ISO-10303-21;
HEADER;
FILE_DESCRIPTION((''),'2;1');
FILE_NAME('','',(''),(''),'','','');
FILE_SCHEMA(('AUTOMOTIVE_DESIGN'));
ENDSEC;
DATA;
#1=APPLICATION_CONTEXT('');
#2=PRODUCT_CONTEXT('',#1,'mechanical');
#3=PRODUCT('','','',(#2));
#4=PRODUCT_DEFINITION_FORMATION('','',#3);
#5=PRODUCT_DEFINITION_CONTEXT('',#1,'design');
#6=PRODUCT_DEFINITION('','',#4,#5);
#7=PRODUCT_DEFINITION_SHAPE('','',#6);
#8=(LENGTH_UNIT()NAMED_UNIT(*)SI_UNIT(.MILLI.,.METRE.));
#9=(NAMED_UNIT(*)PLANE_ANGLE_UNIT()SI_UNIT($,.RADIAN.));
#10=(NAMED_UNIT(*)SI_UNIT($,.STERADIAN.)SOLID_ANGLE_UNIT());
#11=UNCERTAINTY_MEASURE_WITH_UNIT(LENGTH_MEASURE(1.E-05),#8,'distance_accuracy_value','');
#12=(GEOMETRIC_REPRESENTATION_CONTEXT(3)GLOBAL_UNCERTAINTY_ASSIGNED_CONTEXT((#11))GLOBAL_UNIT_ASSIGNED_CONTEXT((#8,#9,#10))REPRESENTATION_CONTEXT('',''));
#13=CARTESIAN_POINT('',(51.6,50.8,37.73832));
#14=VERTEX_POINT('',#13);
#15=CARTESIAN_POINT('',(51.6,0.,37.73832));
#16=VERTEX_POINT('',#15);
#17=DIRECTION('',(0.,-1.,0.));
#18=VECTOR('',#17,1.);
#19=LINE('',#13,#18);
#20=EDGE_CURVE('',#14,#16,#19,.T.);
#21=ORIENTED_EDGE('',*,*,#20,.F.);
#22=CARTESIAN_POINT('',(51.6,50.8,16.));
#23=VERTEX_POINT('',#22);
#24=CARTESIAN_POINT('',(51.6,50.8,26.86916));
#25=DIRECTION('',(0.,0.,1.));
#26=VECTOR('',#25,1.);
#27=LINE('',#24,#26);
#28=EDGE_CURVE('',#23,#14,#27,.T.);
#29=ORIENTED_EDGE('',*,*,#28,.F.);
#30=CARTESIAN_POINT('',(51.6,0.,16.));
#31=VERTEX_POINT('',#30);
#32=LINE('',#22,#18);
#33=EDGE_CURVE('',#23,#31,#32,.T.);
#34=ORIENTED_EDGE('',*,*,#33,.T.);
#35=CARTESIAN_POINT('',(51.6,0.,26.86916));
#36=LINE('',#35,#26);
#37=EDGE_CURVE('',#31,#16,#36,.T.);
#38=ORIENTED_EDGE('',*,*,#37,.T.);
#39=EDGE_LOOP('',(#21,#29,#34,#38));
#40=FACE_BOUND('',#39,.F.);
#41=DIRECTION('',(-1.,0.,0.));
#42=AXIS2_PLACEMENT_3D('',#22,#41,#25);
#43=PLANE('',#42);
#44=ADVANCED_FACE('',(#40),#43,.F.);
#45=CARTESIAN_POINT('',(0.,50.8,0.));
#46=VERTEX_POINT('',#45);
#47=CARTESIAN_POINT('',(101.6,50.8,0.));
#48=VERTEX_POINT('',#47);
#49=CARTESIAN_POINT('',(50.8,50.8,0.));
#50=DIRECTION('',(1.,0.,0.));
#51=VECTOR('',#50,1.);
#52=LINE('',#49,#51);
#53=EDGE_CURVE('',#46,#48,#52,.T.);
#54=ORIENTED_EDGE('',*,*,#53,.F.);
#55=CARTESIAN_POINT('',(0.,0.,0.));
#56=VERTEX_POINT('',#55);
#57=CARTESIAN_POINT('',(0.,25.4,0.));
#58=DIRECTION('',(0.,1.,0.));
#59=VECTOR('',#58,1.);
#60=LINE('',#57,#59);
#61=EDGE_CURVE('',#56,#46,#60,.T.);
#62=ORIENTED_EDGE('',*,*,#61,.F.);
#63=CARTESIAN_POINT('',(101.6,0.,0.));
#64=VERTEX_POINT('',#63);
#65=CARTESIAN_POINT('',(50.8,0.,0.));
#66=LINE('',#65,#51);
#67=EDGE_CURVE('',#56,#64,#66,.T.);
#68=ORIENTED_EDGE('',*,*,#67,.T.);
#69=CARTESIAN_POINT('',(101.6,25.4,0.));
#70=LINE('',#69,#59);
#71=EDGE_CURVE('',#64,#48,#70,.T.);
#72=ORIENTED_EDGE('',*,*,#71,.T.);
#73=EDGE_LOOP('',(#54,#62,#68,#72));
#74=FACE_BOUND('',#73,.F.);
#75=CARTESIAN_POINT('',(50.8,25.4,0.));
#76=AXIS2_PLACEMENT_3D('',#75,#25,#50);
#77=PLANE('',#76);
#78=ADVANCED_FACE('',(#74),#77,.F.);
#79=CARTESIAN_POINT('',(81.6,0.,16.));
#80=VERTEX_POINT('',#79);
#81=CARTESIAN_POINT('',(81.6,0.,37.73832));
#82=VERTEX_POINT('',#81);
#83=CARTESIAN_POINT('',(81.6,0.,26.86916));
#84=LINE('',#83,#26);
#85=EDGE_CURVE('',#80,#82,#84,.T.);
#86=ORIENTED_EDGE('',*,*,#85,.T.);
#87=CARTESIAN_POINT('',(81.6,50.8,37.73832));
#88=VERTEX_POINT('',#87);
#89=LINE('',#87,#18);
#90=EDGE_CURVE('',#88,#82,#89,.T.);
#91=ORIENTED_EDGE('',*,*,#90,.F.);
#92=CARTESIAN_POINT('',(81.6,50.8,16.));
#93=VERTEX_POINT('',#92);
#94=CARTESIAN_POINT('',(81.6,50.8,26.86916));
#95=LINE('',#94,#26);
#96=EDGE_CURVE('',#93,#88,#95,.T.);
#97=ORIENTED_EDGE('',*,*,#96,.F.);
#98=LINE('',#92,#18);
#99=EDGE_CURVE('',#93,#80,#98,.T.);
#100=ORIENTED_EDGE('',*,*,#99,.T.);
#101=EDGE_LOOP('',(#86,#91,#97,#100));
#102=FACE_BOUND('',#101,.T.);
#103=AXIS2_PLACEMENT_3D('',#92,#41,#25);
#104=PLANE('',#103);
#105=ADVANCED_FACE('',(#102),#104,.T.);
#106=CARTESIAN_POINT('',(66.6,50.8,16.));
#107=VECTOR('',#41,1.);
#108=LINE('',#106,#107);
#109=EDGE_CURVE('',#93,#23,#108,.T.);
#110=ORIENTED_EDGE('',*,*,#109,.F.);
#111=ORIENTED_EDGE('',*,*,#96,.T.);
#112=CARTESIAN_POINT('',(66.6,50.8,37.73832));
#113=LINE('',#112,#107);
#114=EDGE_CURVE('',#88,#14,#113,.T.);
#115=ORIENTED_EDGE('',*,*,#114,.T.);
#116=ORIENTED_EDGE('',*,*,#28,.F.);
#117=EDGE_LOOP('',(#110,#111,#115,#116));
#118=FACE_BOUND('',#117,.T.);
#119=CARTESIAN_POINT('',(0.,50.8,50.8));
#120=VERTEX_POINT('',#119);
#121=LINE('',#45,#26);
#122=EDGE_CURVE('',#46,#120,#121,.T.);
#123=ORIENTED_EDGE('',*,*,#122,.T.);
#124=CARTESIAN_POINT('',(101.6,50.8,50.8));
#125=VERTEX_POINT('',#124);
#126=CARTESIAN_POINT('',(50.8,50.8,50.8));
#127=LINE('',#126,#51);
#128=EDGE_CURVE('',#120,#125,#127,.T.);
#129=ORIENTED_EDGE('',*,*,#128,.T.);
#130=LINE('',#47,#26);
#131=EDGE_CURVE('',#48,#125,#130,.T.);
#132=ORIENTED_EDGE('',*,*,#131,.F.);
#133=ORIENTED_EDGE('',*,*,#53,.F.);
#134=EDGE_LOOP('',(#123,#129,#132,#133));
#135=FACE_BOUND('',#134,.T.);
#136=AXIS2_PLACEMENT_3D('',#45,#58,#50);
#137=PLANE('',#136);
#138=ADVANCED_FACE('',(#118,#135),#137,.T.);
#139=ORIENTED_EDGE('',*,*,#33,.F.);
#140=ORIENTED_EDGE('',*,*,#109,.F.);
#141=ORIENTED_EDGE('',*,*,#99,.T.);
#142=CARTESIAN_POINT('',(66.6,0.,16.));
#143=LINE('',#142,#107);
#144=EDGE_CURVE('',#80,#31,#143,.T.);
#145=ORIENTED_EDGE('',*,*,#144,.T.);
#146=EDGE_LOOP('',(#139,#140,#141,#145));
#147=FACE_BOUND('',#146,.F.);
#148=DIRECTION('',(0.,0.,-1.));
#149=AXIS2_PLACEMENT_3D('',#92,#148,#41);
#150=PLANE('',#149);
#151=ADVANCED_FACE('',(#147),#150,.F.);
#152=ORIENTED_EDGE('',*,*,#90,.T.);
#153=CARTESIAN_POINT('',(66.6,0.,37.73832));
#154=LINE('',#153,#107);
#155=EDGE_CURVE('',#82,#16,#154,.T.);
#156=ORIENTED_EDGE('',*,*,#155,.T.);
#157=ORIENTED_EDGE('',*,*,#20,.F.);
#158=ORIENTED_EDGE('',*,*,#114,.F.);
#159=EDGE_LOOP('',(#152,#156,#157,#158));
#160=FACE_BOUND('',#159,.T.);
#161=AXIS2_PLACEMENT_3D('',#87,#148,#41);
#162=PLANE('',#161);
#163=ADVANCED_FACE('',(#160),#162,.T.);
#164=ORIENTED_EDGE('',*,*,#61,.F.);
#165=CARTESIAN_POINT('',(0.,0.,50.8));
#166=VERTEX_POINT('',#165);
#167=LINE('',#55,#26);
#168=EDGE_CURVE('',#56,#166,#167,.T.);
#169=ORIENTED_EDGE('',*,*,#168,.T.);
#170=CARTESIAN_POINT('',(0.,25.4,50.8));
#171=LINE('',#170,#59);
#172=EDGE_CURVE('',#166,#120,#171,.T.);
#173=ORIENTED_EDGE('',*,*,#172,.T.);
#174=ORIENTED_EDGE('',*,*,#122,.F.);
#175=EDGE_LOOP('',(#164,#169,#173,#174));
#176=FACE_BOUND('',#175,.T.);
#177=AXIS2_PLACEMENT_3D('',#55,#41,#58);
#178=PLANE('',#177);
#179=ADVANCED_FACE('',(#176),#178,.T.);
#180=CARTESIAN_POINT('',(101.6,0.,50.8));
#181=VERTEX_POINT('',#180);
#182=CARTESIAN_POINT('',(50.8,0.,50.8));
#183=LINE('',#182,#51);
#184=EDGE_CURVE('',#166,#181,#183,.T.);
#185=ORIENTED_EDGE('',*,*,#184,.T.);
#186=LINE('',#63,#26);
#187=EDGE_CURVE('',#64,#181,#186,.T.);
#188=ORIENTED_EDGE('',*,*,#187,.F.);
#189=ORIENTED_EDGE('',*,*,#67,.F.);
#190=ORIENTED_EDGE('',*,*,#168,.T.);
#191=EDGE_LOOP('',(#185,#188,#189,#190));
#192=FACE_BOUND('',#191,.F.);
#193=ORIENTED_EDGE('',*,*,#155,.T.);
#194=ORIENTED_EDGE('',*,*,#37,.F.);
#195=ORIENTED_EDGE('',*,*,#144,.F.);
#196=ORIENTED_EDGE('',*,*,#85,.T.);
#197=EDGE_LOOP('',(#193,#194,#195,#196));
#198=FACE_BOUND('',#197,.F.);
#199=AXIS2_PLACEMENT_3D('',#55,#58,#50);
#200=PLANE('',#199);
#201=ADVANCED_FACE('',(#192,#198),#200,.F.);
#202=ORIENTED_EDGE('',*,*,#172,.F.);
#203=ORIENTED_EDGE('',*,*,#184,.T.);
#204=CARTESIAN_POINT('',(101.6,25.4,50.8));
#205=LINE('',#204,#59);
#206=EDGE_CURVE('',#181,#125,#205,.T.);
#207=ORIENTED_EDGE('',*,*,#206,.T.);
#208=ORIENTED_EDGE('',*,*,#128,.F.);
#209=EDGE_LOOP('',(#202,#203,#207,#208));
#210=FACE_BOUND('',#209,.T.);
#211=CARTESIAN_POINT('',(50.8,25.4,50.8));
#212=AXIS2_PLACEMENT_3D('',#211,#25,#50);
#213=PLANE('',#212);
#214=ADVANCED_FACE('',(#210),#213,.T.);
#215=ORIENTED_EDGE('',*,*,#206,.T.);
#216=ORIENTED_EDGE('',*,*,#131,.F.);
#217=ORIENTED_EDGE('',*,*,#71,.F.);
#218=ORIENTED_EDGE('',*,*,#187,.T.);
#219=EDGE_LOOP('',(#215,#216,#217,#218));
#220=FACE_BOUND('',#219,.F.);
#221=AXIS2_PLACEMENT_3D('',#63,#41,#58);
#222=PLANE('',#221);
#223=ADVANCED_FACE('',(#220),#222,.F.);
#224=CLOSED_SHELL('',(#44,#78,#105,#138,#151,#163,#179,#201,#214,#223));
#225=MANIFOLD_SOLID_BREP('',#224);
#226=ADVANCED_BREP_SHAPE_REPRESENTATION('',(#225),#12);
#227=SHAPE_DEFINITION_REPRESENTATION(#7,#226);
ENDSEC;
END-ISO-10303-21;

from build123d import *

# Parameters (mm, degrees)
F1_W     = 101.6
F1_H     = 50.8
F2_DEPTH = 50.8
F3_W     = 30
F3_H     = 21.73832
F4_DEPTH = 50.8


with BuildPart() as f2:
    # F1 (on Top) → F2 (new body)
    with BuildSketch(Plane.XY):
        with Locations((50.8, 25.4)):
            Rectangle(F1_W, F1_H)
    extrude(amount=F2_DEPTH)

    # F3 (on face) → F4 (cut, through all)
    with BuildSketch(Plane(origin=(0, 50.8, 0), x_dir=(-1, 0, 0), z_dir=(0, 1, 0))):
        with Locations((-66.6, 26.86916)):
            Rectangle(F3_W, F3_H)
    extrude(amount=-F4_DEPTH, mode=Mode.SUBTRACT)


solid = f2.part
